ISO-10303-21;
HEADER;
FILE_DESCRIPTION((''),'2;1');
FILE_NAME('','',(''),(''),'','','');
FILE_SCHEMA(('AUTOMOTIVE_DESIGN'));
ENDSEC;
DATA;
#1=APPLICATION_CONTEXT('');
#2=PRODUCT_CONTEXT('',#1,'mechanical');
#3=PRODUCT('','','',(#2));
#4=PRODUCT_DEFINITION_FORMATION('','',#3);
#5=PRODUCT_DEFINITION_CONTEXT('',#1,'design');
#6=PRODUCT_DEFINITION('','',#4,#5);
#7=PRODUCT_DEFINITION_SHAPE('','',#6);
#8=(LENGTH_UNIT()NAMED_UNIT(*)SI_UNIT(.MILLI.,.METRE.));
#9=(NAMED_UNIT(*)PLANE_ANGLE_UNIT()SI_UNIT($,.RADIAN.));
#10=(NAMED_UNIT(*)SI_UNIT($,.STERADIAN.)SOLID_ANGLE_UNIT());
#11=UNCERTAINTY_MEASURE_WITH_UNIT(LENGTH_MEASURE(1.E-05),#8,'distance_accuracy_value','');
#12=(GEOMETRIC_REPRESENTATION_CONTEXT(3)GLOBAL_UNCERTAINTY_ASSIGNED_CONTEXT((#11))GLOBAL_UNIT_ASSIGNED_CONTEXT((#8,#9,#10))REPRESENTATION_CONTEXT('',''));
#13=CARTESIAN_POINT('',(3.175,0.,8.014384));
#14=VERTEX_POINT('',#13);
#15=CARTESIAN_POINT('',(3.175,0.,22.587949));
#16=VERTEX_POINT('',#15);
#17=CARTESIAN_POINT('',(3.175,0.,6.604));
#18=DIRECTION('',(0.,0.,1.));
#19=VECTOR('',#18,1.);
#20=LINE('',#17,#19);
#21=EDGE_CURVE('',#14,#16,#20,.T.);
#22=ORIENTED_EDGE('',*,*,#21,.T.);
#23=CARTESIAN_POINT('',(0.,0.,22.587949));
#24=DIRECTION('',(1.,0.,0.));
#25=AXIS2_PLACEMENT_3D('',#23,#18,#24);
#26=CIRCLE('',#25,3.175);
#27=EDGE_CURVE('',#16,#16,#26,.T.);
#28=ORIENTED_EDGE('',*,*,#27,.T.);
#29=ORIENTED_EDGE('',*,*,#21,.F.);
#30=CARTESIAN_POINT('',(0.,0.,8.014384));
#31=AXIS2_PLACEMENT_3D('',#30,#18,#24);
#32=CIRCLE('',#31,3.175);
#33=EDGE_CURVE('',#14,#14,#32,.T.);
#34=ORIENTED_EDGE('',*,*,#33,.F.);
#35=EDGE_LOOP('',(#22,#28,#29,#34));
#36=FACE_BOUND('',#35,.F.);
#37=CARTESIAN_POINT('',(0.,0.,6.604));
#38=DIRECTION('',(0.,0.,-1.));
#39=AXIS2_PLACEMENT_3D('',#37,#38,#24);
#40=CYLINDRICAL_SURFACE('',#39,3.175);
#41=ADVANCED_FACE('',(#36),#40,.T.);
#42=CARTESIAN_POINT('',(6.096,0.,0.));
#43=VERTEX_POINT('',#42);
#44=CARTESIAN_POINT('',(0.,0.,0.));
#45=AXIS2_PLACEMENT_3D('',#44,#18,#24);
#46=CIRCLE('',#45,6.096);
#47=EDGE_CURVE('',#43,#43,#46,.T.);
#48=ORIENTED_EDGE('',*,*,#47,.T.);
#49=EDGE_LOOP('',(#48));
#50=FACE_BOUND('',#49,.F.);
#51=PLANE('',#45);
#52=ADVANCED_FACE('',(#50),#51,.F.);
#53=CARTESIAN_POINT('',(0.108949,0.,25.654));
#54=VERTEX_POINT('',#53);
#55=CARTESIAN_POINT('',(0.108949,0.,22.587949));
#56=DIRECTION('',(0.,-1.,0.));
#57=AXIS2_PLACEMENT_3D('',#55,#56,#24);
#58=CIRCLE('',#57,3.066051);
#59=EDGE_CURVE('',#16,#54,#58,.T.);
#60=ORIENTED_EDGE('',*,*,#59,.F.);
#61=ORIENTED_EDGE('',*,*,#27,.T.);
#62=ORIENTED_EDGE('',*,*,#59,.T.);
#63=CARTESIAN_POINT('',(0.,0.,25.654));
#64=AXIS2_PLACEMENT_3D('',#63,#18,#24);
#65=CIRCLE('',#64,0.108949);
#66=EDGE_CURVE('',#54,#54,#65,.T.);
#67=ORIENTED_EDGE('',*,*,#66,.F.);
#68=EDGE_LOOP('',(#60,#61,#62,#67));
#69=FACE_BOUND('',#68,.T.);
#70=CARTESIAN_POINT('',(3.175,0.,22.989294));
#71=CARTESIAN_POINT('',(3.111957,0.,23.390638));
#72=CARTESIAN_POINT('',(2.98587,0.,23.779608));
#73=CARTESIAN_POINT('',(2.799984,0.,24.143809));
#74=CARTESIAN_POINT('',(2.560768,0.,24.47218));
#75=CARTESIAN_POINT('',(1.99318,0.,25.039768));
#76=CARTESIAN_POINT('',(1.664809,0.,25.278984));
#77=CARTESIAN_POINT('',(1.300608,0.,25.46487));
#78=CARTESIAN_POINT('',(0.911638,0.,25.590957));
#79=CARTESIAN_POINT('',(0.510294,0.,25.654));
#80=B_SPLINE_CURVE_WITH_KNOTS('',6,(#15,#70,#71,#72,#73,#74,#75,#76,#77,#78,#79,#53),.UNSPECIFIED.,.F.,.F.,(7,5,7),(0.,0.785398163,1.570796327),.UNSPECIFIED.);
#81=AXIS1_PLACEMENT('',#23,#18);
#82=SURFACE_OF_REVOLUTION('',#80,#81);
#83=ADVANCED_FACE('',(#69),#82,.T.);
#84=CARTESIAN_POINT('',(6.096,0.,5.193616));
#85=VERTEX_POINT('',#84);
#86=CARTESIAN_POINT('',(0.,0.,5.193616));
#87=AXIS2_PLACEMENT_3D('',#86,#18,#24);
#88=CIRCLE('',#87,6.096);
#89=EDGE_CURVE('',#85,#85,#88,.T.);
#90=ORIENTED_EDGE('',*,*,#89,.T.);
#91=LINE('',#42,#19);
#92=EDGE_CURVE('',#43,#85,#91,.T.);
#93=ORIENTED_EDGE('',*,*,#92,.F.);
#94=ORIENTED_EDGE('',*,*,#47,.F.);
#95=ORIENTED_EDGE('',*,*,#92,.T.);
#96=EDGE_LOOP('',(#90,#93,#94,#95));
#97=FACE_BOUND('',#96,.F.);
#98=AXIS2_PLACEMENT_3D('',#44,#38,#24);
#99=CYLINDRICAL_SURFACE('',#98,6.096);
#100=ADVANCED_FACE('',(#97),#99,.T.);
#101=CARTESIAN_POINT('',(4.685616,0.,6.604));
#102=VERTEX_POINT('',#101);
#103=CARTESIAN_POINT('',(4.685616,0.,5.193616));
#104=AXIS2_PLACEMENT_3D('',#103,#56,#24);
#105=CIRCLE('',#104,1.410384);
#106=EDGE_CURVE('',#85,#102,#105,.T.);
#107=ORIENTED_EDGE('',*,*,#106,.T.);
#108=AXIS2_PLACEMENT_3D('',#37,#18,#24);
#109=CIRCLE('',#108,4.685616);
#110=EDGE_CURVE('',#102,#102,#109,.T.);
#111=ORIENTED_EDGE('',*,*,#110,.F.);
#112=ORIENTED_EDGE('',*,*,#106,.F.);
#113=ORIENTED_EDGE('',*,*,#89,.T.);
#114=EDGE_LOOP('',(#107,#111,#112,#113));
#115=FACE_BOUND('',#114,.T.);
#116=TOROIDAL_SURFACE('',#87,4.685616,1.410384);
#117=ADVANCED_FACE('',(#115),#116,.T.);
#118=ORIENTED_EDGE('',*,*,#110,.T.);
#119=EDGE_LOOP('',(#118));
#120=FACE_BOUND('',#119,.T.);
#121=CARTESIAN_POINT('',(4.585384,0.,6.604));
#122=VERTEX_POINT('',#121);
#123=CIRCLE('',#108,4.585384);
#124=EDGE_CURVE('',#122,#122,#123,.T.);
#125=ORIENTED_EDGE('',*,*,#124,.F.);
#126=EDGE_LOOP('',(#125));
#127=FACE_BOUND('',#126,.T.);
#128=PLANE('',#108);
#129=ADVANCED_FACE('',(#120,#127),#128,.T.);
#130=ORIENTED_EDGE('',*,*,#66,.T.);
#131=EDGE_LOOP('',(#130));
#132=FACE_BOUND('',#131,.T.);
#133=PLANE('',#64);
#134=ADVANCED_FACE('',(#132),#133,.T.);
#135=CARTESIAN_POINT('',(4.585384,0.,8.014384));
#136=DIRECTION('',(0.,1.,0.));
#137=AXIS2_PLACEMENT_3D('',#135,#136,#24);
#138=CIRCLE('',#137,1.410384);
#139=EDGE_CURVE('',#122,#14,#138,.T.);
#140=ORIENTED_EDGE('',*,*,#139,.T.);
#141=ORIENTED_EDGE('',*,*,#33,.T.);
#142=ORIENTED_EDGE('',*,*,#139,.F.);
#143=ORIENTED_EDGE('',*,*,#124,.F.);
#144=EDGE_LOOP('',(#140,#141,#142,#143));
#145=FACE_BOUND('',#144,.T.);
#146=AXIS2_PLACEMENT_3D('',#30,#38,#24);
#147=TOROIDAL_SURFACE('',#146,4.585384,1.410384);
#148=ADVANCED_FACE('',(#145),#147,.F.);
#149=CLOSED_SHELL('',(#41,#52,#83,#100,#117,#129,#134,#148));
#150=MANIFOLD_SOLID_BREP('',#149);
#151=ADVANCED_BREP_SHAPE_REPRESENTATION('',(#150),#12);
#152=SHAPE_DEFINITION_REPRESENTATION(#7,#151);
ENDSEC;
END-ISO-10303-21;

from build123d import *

# Parameters (mm, degrees)
F0_R     = 6.096
F1_DEPTH = 6.604
F2_R     = 3.175
F3_DEPTH = 19.05
F4_R     = 1.4103835631
F5_R     = 3.0660512242


with BuildPart() as f1:
    # F0 (on Top) → F1 (new body)
    with BuildSketch(Plane.XY):
        Circle(F0_R)
    extrude(amount=F1_DEPTH)

    # F2 (on face) → F3 (join)
    with BuildSketch(Plane.XY.offset(6.604)):
        Circle(F2_R)
    extrude(amount=F3_DEPTH)

    # F4
    f4_edges = [f1.edges().sort_by_distance(p)[0] for p in [
        (-6.096, 0, 6.604),
        (-3.175, 0, 6.604),
    ]]
    fillet(f4_edges, radius=F4_R)

    # F5
    f5_edges = [f1.edges().sort_by_distance(p)[0] for p in [
        (3.175, 0, 16.834192),
        (-3.175, 0, 8.014384),
        (-3.175, 0, 25.654),
    ]]
    fillet(f5_edges, radius=F5_R)


solid = f1.part
